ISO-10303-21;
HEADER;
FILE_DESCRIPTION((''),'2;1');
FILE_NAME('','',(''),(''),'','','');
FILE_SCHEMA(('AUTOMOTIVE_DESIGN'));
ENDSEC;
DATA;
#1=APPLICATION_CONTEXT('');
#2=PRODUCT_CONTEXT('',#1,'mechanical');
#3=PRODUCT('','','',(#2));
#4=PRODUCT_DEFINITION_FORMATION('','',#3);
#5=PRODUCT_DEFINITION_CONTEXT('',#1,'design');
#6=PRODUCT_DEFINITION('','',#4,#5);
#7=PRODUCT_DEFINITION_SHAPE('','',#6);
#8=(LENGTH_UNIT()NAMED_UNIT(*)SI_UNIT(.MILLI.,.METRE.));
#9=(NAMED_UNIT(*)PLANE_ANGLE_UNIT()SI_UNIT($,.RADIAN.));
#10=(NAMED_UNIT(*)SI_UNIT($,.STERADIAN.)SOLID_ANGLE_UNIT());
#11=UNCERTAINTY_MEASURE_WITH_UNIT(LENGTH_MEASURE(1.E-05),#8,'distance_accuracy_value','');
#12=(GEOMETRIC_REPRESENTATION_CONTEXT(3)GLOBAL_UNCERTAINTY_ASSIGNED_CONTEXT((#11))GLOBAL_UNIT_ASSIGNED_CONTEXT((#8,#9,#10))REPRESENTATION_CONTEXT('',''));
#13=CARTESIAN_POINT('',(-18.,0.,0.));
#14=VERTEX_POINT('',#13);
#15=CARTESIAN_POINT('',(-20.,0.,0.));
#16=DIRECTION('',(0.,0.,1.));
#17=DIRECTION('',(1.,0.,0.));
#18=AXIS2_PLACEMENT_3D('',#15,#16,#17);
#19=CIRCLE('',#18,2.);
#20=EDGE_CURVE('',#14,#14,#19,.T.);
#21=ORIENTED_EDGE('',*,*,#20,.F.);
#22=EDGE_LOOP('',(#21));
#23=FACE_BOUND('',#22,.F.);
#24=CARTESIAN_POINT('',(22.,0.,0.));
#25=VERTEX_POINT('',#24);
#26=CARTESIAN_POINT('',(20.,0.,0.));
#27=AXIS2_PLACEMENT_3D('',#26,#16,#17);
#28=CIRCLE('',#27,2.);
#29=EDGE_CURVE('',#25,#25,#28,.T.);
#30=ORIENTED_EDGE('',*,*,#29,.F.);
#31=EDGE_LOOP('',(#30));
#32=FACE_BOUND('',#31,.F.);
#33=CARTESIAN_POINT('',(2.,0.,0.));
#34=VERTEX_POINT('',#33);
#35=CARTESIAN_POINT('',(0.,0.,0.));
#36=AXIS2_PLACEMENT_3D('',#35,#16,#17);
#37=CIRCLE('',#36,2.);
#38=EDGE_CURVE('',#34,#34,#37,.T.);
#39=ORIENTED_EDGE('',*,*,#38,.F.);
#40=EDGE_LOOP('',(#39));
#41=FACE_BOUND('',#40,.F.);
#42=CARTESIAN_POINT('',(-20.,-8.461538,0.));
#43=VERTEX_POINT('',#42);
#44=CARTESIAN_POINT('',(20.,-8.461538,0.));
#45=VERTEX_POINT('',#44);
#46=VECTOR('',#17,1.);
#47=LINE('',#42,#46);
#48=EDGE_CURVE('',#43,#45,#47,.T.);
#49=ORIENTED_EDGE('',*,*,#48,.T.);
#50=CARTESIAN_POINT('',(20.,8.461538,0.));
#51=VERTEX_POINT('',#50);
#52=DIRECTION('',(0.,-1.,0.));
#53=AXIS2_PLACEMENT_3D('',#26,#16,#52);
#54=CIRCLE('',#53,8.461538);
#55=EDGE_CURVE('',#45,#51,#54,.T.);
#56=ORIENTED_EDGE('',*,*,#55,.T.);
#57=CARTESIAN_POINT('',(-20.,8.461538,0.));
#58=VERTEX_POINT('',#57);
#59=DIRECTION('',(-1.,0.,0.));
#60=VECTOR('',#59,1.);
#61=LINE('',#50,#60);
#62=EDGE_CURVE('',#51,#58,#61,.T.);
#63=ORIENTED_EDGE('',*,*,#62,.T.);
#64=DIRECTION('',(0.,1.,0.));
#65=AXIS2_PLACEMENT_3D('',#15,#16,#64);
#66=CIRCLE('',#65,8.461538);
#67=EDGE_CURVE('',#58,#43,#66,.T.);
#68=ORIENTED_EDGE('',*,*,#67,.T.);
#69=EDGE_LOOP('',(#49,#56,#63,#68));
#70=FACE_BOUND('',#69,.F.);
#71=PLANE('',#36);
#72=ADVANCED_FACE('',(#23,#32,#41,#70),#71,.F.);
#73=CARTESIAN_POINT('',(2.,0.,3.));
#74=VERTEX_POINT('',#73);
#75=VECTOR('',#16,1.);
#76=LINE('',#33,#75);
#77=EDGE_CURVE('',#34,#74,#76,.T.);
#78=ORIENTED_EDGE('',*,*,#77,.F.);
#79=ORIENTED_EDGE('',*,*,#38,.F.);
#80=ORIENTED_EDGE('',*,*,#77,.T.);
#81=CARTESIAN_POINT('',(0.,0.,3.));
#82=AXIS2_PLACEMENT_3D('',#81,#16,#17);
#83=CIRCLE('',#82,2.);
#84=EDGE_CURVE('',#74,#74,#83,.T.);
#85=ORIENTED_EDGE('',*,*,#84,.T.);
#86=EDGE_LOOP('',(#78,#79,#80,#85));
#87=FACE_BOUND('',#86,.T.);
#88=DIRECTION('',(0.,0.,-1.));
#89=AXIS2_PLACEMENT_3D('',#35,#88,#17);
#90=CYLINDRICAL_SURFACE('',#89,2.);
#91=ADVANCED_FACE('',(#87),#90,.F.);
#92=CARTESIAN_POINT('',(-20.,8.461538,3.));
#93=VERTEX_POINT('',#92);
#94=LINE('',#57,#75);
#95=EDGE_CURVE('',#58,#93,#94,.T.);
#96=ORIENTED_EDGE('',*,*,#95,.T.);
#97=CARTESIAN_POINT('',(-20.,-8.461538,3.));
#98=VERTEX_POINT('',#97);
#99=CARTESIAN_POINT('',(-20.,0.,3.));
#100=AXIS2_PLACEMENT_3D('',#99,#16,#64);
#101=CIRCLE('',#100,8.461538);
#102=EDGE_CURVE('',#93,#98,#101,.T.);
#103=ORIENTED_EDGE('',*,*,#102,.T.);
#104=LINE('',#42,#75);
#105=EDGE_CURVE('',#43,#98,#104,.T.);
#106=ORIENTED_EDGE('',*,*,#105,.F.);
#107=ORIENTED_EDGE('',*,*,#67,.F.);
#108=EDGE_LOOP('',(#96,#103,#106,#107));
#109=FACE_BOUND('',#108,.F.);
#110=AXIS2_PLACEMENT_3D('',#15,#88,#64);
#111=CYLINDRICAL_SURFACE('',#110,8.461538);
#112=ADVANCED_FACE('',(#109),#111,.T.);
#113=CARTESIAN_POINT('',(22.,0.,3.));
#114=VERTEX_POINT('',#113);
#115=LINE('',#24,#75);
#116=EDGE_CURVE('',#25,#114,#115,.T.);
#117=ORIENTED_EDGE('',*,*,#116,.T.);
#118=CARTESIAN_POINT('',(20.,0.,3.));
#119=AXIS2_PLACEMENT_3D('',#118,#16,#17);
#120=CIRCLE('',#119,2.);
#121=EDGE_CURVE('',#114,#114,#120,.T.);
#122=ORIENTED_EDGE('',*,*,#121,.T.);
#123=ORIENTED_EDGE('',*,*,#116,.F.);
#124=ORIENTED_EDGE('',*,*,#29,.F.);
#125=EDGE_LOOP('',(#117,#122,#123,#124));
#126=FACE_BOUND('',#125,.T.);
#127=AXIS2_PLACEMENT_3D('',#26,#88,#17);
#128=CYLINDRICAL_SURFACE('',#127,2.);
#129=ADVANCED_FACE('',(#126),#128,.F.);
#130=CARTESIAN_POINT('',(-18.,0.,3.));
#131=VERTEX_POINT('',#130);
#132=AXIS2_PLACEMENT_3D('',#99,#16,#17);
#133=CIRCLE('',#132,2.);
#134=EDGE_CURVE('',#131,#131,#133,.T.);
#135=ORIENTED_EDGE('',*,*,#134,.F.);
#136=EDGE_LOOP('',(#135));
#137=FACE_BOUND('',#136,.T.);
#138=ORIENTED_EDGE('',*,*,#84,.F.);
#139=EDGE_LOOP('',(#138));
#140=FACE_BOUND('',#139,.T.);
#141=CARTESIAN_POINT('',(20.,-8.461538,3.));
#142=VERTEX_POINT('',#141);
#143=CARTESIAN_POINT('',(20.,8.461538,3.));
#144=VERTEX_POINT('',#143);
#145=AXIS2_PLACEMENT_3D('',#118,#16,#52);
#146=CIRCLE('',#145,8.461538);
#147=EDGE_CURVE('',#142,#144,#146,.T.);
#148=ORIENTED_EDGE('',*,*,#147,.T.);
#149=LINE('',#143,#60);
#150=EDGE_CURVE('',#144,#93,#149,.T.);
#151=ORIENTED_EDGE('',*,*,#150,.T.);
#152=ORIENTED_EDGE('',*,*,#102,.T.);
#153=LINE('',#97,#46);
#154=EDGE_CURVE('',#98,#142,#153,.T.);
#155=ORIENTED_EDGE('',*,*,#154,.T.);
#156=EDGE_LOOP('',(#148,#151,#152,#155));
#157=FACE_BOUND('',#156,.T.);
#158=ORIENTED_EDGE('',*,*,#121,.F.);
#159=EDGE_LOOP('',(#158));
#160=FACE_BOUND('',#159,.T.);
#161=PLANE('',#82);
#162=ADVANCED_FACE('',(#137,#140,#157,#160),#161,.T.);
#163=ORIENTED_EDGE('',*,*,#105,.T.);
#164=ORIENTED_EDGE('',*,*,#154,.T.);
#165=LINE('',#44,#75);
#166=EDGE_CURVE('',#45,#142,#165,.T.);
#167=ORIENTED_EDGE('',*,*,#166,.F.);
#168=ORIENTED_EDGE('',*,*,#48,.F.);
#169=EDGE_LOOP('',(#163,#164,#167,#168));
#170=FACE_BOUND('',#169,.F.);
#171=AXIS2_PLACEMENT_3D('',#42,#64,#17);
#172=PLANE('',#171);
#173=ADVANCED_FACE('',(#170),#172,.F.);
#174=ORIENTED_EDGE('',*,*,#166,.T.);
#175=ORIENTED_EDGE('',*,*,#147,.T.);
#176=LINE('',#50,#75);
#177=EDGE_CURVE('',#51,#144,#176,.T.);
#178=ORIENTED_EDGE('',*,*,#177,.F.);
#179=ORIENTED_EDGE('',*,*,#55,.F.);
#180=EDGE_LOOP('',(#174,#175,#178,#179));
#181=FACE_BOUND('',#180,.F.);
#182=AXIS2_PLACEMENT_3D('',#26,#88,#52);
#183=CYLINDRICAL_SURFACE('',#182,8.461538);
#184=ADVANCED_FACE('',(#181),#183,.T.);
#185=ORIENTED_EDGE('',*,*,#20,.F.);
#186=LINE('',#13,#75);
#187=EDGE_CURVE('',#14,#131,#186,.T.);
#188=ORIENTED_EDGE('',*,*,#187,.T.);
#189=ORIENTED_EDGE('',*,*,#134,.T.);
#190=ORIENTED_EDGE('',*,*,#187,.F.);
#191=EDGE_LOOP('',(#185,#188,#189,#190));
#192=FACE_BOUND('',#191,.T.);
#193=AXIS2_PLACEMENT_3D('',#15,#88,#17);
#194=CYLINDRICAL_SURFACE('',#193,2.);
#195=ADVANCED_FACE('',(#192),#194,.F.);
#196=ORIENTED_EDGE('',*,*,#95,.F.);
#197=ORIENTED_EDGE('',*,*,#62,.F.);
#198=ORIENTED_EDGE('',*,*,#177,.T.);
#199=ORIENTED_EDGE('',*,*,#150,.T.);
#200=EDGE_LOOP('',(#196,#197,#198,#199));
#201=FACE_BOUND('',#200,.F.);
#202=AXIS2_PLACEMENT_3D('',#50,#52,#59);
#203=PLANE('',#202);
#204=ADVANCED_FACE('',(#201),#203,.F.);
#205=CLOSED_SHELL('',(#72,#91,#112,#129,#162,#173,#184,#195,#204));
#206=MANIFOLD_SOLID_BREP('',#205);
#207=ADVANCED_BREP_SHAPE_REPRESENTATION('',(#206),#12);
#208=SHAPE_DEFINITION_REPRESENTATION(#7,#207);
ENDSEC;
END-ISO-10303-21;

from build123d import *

# Parameters (mm, degrees)
F0_R     = 2
F1_DEPTH = 3


with BuildPart() as f1:
    # F0 (on Top) → F1 (new body)
    with BuildSketch(Plane.XY):
        with BuildLine():
            Line((20, 8.461538), (-20, 8.461538))
            ThreePointArc((-20, 8.461538), (-28.461538, 0), (-20, -8.461538))
            Line((-20, -8.461538), (20, -8.461538))
            ThreePointArc((20, -8.461538), (28.461538, 0), (20, 8.461538))
        make_face()
        with Locations((-20, 0)):
            Circle(F0_R, mode=Mode.SUBTRACT)
        Circle(F0_R, mode=Mode.SUBTRACT)
        with Locations((20, 0)):
            Circle(F0_R, mode=Mode.SUBTRACT)
    extrude(amount=F1_DEPTH)


solid = f1.part
